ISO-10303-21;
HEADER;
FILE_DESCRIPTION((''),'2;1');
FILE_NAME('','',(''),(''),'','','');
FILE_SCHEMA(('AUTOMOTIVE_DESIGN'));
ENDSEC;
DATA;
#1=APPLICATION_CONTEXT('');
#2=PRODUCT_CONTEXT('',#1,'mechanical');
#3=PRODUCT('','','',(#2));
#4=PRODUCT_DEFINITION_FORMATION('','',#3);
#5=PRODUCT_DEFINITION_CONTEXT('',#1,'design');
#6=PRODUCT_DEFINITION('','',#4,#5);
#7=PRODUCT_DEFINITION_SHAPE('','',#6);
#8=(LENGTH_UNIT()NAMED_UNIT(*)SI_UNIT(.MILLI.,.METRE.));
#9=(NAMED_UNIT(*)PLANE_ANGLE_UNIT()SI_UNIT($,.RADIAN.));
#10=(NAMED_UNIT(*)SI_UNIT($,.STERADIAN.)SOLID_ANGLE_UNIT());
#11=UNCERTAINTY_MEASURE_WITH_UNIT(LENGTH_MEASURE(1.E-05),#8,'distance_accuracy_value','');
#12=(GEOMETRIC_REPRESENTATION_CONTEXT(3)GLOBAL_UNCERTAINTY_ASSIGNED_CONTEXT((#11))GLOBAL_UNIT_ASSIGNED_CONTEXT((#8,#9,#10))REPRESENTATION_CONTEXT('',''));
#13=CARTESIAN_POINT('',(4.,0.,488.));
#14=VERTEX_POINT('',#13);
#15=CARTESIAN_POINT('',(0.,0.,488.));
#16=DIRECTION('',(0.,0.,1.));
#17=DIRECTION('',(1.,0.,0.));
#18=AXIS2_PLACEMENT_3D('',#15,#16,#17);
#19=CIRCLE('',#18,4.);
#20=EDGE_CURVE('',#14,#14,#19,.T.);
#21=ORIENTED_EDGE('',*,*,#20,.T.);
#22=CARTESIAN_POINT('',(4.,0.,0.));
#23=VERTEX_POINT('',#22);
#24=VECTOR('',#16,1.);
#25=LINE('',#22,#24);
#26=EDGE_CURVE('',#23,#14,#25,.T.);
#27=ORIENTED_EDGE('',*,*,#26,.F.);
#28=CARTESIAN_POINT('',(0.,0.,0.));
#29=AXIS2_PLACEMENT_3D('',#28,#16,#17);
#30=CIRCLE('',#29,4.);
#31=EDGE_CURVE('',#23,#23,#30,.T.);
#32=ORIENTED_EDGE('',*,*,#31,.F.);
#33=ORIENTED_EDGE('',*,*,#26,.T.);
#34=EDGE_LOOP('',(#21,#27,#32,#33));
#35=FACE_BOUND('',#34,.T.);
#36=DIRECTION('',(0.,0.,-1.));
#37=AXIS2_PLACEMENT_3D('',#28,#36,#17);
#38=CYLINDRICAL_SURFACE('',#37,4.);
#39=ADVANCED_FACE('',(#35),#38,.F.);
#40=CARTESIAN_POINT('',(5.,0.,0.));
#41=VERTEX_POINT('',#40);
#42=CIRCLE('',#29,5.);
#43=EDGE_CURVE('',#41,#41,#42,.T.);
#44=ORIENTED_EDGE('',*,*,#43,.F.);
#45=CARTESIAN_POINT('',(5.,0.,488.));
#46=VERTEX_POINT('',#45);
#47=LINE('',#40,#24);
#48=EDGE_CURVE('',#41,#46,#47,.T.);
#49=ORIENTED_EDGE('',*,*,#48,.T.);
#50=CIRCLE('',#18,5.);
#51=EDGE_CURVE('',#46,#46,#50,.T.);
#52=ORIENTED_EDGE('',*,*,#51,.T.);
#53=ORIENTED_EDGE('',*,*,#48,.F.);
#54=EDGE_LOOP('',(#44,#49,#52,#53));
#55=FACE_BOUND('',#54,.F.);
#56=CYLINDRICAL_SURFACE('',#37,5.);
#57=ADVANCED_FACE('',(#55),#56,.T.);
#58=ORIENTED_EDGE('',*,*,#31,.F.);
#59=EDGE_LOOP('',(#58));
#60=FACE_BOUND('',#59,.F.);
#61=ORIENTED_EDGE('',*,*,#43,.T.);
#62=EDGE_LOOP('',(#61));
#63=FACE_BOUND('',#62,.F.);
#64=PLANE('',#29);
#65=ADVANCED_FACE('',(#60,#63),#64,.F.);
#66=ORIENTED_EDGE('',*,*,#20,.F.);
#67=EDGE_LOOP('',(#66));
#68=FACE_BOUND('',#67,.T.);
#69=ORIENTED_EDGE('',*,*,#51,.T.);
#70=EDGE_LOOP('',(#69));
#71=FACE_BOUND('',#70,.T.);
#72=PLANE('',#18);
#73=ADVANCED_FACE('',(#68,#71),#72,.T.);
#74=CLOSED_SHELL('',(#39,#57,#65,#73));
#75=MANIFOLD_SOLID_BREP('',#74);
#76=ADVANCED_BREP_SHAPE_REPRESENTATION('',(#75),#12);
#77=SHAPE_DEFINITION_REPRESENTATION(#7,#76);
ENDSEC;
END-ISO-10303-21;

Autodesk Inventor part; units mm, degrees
ref_plane "YZ Plane" through (0, 0, 0) normal (1, 0, 0) x (0, 1, 0)
ref_plane "XZ Plane" through (0, 0, 0) normal (0, 1, 0) x (-1, 0, 0)
ref_plane "XY Plane" through (0, 0, 0) normal (0, 0, 1) x (1, 0, 0)
sketch "Sketch1" plane through (0, 0, 0) normal (0, 0, 1) x (1, 0, 0)
  circle A0 centre (0, 0) radius 5
  circle A1 centre (0, 0) radius 4
  dimension "d0" = 10
  dimension "d1" = 8
extrude "Extrusion1" add sketch "Sketch1" along normal blind 488
properties part number "Wingspar trochemniejnizpol metrowy" material "Rubber"
